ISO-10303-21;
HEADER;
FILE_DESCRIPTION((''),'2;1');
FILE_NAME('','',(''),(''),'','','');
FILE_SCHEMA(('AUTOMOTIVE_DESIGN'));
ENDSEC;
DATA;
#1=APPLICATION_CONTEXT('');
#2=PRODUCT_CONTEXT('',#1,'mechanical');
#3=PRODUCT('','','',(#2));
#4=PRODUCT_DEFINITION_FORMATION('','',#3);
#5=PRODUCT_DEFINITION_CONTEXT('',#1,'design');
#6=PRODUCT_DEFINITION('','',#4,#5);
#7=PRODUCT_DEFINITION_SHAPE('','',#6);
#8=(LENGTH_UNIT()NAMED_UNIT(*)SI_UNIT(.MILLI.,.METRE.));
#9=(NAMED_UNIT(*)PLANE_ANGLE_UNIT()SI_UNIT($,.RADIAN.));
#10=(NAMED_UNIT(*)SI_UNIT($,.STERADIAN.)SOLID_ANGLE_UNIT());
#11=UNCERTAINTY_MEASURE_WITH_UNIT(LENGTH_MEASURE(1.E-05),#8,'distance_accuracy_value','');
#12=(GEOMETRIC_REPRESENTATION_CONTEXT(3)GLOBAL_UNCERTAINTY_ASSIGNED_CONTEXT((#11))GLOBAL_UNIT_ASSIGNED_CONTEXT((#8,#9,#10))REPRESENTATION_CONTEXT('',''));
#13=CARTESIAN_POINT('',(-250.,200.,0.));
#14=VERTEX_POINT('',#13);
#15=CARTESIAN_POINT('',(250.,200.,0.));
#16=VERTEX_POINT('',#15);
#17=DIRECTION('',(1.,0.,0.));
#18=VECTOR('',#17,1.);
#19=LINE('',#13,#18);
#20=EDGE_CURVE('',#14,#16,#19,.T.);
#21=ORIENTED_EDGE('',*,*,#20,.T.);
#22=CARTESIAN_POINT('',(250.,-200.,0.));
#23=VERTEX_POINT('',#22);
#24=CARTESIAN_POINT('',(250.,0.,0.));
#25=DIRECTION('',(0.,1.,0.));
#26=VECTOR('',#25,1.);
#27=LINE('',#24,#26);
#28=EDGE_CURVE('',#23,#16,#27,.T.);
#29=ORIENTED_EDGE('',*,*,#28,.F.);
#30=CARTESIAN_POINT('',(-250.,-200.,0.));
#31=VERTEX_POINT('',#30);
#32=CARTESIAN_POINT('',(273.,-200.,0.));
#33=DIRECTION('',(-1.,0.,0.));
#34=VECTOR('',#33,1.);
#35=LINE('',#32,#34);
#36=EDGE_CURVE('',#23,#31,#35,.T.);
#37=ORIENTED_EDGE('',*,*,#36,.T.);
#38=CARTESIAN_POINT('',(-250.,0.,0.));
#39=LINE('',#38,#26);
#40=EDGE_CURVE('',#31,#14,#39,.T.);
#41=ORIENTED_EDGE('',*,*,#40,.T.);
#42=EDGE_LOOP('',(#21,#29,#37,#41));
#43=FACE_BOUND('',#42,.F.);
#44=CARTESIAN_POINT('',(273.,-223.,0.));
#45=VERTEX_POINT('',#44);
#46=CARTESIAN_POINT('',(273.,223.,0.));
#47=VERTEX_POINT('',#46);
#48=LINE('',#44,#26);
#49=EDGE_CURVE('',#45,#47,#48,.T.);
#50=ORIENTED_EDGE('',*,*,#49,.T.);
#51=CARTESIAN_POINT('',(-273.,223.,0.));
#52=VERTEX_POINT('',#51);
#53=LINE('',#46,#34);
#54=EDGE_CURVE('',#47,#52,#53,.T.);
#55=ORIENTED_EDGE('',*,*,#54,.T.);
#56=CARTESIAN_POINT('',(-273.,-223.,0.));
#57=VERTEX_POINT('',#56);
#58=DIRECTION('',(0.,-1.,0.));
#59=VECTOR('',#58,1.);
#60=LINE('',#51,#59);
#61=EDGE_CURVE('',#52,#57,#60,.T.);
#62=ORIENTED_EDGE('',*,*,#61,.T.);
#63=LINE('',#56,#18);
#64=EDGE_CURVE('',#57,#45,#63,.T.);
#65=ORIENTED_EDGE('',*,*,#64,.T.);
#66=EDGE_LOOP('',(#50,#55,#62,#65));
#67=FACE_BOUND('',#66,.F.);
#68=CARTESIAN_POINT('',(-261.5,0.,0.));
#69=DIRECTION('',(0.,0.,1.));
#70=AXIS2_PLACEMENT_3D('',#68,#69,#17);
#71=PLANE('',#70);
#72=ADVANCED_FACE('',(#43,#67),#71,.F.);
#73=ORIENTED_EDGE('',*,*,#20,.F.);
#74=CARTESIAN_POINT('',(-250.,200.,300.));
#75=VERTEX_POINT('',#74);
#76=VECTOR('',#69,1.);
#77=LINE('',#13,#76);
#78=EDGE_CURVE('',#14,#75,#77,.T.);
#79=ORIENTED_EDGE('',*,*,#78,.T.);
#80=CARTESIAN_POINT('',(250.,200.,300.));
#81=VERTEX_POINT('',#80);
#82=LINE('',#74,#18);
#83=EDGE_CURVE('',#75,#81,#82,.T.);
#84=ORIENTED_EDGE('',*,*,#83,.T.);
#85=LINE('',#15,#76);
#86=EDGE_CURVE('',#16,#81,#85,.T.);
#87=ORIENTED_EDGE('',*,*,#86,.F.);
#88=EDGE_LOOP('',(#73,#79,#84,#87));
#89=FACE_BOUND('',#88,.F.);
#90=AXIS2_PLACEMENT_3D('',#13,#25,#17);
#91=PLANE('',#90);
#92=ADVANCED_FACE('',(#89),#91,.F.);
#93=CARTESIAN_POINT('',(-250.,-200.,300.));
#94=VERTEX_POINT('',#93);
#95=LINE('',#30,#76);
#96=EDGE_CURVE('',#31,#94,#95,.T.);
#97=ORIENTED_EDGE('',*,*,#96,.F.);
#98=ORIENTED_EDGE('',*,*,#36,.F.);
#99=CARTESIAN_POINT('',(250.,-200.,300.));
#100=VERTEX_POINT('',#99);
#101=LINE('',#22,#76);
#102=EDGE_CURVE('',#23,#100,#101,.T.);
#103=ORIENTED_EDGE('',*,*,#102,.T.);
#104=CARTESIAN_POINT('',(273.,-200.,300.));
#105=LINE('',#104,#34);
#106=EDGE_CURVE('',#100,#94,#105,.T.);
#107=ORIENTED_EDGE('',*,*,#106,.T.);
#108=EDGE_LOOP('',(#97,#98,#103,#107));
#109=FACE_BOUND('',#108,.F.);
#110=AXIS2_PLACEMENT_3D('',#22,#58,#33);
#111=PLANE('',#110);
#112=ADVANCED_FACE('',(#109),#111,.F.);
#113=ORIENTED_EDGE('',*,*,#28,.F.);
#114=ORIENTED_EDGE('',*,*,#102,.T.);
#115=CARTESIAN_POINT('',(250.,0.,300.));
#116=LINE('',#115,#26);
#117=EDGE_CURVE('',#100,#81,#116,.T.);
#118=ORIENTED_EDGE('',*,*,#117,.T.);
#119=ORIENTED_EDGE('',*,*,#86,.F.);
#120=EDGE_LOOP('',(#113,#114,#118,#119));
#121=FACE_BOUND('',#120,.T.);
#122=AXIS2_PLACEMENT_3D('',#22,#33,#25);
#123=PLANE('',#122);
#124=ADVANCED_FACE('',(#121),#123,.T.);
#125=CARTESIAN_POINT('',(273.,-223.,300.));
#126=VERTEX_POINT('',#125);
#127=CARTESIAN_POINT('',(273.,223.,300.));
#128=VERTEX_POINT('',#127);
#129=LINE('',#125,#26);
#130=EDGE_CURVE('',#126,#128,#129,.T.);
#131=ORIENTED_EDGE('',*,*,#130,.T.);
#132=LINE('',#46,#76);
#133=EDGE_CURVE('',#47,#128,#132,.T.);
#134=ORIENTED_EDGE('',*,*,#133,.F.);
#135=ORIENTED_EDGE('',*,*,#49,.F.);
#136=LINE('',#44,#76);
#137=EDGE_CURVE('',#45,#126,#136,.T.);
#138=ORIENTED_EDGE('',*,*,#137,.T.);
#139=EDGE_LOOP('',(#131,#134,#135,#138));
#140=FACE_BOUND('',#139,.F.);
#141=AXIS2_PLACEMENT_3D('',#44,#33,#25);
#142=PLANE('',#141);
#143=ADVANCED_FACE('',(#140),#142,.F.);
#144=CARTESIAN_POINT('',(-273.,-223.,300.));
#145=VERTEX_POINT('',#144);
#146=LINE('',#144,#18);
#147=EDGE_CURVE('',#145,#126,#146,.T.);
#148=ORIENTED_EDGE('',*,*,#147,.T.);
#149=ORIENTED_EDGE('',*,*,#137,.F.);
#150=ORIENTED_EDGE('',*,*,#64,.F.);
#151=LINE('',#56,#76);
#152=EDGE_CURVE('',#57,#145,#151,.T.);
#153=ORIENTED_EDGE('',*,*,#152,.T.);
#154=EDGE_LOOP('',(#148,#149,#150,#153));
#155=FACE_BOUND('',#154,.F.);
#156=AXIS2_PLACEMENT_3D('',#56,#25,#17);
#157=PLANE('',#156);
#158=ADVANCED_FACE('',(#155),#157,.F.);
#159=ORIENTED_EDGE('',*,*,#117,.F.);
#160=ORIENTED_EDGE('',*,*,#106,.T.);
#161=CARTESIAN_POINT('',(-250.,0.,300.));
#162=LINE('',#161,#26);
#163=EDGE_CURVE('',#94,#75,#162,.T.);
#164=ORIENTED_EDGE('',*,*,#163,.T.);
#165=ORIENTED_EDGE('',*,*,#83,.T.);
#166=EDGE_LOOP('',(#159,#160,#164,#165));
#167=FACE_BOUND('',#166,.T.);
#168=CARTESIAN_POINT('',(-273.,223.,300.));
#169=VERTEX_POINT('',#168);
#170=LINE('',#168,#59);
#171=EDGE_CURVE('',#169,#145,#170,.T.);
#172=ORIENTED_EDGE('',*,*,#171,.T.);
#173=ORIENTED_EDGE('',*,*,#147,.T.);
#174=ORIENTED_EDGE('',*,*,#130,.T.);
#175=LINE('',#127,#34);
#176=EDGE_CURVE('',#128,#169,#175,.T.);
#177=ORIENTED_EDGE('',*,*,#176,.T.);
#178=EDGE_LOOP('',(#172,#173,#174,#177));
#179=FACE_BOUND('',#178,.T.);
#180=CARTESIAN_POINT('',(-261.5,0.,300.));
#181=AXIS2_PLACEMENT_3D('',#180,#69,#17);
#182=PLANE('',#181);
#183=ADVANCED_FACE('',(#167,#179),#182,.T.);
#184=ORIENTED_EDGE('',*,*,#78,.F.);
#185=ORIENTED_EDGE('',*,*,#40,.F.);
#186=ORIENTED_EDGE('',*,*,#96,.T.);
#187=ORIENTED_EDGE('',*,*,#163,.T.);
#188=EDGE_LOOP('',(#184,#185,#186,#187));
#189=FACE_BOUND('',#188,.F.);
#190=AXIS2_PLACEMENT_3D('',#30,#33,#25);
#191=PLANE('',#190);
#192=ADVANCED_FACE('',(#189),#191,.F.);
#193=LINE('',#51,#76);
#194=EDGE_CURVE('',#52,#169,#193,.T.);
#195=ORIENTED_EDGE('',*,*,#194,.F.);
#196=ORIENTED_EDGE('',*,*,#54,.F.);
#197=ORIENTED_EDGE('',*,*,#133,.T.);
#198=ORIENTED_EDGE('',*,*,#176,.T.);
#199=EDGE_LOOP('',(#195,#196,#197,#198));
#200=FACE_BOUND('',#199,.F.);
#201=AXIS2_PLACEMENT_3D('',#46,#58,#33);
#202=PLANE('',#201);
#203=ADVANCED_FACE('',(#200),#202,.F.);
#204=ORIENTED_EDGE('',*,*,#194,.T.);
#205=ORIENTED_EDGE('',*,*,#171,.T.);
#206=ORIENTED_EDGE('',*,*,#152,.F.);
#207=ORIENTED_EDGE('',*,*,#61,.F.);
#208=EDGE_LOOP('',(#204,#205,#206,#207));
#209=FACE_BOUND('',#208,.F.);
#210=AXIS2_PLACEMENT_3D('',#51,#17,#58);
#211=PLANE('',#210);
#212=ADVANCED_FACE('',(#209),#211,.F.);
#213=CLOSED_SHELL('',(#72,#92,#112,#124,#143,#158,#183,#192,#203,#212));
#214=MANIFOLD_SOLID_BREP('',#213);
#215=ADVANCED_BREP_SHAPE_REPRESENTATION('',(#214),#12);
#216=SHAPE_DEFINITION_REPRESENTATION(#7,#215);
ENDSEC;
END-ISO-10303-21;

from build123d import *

# Parameters (mm, degrees)
F1_W     = 23
F1_H     = 400
F2_DEPTH = 300


with BuildPart() as f2:
    # F1 (on Top) → F2 (new body)
    with BuildSketch(Plane.XY):
        with Locations((-261.5, 0)):
            Rectangle(F1_W, F1_H)
        Polygon((-273, 200), (-250, 200), (250, 200), (273, 200), (273, 223), (-273, 223), align=None)
        Polygon((250, -200), (-250, -200), (-273, -200), (-273, -223), (273, -223), (273, -200), align=None)
        with Locations((261.5, 0)):
            Rectangle(F1_W, F1_H)
    extrude(amount=F2_DEPTH)


solid = f2.part
